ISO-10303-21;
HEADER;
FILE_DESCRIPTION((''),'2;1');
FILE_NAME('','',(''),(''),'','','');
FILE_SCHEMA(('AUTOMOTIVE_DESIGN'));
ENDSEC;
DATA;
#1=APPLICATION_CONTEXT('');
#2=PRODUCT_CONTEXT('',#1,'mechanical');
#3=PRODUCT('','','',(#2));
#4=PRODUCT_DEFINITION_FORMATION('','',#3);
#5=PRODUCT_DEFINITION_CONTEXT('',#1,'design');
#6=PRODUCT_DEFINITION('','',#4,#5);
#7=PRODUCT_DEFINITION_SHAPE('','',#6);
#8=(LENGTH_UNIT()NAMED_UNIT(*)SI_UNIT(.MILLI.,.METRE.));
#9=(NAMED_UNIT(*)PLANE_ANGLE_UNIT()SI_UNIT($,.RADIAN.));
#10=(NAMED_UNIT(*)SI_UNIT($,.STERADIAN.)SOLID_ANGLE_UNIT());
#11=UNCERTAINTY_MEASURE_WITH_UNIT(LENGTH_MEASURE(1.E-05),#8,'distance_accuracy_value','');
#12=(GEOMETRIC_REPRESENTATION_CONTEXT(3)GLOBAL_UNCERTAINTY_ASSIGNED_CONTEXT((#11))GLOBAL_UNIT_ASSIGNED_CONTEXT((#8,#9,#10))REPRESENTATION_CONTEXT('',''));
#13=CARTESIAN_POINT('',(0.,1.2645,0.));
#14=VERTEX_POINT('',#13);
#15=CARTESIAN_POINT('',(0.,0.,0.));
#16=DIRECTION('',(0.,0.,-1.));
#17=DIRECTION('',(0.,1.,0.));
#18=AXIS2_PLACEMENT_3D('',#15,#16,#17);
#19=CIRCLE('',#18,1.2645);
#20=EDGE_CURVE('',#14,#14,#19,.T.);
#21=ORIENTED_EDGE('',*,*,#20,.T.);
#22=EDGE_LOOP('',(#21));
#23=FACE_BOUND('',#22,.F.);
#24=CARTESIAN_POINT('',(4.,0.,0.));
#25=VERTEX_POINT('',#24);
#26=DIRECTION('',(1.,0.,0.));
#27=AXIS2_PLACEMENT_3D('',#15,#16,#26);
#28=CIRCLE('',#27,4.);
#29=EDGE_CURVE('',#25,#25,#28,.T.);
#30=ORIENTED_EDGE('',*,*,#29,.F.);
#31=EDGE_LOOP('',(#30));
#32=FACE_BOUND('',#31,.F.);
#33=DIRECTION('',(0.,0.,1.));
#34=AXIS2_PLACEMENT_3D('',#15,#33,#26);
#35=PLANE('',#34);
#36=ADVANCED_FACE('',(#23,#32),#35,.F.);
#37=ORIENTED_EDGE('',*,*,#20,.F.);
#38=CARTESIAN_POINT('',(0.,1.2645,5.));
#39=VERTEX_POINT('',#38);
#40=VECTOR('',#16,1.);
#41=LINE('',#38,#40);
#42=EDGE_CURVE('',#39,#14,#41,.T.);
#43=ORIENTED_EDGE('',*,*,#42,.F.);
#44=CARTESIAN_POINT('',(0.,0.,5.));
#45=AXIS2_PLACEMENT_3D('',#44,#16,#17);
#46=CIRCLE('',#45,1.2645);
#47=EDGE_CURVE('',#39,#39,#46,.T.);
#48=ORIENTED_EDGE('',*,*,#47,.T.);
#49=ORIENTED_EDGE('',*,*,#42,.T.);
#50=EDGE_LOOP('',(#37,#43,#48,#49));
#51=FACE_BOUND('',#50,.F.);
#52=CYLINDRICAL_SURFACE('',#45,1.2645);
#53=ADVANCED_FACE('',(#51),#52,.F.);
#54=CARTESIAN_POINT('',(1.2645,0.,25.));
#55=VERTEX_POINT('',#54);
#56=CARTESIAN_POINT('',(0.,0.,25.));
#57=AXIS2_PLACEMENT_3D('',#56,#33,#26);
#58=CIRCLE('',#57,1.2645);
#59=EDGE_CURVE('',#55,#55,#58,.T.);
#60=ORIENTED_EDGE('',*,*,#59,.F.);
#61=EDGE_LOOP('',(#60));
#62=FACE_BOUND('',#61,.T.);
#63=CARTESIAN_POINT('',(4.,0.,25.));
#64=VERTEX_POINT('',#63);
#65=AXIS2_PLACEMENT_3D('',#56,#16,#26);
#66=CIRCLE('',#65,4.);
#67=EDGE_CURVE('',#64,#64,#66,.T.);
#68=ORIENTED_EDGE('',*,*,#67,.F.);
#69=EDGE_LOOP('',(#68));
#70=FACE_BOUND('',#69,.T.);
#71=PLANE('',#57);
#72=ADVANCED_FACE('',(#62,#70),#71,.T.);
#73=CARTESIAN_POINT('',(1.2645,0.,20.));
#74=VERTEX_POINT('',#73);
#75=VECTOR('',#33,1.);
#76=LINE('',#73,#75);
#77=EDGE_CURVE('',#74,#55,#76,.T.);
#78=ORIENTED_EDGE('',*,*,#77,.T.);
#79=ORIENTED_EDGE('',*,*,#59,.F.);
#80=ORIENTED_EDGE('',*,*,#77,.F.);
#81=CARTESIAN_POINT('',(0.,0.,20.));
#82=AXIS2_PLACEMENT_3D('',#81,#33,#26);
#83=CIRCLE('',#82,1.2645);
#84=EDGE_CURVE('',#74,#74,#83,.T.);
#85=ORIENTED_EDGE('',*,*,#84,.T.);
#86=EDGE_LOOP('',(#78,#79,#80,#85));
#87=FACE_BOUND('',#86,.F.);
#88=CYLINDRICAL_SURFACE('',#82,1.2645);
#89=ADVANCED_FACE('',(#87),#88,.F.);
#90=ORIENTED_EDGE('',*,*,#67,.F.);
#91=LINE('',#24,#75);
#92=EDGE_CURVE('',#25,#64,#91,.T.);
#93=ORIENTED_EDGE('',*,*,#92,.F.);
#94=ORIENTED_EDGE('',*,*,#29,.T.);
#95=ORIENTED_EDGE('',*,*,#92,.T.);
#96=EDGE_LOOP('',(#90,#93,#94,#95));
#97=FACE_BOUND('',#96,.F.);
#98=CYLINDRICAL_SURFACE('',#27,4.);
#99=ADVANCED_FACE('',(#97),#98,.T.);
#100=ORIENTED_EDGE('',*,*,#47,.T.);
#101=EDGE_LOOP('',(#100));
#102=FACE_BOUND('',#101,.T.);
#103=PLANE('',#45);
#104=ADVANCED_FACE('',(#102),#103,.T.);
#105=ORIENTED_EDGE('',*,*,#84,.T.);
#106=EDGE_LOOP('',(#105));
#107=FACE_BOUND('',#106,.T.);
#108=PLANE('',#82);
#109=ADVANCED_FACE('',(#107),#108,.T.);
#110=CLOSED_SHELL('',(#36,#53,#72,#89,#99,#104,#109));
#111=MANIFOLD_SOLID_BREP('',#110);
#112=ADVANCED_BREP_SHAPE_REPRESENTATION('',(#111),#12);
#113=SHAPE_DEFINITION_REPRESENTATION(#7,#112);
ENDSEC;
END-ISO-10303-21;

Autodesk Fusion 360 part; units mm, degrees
sketch "スケッチ1" plane through (0, 0, 0) normal (0, 0, 1) x (1, 0, 0)
  circle A0 centre (0, 0) radius 4
  dimension "d1" = 8
extrude "押し出し1" add sketch "スケッチ1" along normal blind 25
cylinder "円柱プリミティブ2" cut diameter 3 height -5 placed x (1, 0, 0) y (0, 1, 0) z (0, 0, 1) at (0, 0, 25)
thread "ねじ2" "ISO Metric profile 3.0 M3x0.5 6H" major diameter 3.086 minor diameter 2.529 pitch 0.5 angle 60 resizes the face on face at (1.4925, -0.1494, 23.3333)
cylinder "円柱プリミティブ3" cut diameter 3 height -5 placed x (0, 1, 0) y (1, 0, 0) z (0, 0, -1) at (0, 0, 0)
thread "ねじ3" "ISO Metric profile 3.0 M3x0.5 6H" major diameter 3.086 minor diameter 2.529 pitch 0.5 angle 60 resizes the face on face at (-0.1494, 1.4925, 1.6667)
